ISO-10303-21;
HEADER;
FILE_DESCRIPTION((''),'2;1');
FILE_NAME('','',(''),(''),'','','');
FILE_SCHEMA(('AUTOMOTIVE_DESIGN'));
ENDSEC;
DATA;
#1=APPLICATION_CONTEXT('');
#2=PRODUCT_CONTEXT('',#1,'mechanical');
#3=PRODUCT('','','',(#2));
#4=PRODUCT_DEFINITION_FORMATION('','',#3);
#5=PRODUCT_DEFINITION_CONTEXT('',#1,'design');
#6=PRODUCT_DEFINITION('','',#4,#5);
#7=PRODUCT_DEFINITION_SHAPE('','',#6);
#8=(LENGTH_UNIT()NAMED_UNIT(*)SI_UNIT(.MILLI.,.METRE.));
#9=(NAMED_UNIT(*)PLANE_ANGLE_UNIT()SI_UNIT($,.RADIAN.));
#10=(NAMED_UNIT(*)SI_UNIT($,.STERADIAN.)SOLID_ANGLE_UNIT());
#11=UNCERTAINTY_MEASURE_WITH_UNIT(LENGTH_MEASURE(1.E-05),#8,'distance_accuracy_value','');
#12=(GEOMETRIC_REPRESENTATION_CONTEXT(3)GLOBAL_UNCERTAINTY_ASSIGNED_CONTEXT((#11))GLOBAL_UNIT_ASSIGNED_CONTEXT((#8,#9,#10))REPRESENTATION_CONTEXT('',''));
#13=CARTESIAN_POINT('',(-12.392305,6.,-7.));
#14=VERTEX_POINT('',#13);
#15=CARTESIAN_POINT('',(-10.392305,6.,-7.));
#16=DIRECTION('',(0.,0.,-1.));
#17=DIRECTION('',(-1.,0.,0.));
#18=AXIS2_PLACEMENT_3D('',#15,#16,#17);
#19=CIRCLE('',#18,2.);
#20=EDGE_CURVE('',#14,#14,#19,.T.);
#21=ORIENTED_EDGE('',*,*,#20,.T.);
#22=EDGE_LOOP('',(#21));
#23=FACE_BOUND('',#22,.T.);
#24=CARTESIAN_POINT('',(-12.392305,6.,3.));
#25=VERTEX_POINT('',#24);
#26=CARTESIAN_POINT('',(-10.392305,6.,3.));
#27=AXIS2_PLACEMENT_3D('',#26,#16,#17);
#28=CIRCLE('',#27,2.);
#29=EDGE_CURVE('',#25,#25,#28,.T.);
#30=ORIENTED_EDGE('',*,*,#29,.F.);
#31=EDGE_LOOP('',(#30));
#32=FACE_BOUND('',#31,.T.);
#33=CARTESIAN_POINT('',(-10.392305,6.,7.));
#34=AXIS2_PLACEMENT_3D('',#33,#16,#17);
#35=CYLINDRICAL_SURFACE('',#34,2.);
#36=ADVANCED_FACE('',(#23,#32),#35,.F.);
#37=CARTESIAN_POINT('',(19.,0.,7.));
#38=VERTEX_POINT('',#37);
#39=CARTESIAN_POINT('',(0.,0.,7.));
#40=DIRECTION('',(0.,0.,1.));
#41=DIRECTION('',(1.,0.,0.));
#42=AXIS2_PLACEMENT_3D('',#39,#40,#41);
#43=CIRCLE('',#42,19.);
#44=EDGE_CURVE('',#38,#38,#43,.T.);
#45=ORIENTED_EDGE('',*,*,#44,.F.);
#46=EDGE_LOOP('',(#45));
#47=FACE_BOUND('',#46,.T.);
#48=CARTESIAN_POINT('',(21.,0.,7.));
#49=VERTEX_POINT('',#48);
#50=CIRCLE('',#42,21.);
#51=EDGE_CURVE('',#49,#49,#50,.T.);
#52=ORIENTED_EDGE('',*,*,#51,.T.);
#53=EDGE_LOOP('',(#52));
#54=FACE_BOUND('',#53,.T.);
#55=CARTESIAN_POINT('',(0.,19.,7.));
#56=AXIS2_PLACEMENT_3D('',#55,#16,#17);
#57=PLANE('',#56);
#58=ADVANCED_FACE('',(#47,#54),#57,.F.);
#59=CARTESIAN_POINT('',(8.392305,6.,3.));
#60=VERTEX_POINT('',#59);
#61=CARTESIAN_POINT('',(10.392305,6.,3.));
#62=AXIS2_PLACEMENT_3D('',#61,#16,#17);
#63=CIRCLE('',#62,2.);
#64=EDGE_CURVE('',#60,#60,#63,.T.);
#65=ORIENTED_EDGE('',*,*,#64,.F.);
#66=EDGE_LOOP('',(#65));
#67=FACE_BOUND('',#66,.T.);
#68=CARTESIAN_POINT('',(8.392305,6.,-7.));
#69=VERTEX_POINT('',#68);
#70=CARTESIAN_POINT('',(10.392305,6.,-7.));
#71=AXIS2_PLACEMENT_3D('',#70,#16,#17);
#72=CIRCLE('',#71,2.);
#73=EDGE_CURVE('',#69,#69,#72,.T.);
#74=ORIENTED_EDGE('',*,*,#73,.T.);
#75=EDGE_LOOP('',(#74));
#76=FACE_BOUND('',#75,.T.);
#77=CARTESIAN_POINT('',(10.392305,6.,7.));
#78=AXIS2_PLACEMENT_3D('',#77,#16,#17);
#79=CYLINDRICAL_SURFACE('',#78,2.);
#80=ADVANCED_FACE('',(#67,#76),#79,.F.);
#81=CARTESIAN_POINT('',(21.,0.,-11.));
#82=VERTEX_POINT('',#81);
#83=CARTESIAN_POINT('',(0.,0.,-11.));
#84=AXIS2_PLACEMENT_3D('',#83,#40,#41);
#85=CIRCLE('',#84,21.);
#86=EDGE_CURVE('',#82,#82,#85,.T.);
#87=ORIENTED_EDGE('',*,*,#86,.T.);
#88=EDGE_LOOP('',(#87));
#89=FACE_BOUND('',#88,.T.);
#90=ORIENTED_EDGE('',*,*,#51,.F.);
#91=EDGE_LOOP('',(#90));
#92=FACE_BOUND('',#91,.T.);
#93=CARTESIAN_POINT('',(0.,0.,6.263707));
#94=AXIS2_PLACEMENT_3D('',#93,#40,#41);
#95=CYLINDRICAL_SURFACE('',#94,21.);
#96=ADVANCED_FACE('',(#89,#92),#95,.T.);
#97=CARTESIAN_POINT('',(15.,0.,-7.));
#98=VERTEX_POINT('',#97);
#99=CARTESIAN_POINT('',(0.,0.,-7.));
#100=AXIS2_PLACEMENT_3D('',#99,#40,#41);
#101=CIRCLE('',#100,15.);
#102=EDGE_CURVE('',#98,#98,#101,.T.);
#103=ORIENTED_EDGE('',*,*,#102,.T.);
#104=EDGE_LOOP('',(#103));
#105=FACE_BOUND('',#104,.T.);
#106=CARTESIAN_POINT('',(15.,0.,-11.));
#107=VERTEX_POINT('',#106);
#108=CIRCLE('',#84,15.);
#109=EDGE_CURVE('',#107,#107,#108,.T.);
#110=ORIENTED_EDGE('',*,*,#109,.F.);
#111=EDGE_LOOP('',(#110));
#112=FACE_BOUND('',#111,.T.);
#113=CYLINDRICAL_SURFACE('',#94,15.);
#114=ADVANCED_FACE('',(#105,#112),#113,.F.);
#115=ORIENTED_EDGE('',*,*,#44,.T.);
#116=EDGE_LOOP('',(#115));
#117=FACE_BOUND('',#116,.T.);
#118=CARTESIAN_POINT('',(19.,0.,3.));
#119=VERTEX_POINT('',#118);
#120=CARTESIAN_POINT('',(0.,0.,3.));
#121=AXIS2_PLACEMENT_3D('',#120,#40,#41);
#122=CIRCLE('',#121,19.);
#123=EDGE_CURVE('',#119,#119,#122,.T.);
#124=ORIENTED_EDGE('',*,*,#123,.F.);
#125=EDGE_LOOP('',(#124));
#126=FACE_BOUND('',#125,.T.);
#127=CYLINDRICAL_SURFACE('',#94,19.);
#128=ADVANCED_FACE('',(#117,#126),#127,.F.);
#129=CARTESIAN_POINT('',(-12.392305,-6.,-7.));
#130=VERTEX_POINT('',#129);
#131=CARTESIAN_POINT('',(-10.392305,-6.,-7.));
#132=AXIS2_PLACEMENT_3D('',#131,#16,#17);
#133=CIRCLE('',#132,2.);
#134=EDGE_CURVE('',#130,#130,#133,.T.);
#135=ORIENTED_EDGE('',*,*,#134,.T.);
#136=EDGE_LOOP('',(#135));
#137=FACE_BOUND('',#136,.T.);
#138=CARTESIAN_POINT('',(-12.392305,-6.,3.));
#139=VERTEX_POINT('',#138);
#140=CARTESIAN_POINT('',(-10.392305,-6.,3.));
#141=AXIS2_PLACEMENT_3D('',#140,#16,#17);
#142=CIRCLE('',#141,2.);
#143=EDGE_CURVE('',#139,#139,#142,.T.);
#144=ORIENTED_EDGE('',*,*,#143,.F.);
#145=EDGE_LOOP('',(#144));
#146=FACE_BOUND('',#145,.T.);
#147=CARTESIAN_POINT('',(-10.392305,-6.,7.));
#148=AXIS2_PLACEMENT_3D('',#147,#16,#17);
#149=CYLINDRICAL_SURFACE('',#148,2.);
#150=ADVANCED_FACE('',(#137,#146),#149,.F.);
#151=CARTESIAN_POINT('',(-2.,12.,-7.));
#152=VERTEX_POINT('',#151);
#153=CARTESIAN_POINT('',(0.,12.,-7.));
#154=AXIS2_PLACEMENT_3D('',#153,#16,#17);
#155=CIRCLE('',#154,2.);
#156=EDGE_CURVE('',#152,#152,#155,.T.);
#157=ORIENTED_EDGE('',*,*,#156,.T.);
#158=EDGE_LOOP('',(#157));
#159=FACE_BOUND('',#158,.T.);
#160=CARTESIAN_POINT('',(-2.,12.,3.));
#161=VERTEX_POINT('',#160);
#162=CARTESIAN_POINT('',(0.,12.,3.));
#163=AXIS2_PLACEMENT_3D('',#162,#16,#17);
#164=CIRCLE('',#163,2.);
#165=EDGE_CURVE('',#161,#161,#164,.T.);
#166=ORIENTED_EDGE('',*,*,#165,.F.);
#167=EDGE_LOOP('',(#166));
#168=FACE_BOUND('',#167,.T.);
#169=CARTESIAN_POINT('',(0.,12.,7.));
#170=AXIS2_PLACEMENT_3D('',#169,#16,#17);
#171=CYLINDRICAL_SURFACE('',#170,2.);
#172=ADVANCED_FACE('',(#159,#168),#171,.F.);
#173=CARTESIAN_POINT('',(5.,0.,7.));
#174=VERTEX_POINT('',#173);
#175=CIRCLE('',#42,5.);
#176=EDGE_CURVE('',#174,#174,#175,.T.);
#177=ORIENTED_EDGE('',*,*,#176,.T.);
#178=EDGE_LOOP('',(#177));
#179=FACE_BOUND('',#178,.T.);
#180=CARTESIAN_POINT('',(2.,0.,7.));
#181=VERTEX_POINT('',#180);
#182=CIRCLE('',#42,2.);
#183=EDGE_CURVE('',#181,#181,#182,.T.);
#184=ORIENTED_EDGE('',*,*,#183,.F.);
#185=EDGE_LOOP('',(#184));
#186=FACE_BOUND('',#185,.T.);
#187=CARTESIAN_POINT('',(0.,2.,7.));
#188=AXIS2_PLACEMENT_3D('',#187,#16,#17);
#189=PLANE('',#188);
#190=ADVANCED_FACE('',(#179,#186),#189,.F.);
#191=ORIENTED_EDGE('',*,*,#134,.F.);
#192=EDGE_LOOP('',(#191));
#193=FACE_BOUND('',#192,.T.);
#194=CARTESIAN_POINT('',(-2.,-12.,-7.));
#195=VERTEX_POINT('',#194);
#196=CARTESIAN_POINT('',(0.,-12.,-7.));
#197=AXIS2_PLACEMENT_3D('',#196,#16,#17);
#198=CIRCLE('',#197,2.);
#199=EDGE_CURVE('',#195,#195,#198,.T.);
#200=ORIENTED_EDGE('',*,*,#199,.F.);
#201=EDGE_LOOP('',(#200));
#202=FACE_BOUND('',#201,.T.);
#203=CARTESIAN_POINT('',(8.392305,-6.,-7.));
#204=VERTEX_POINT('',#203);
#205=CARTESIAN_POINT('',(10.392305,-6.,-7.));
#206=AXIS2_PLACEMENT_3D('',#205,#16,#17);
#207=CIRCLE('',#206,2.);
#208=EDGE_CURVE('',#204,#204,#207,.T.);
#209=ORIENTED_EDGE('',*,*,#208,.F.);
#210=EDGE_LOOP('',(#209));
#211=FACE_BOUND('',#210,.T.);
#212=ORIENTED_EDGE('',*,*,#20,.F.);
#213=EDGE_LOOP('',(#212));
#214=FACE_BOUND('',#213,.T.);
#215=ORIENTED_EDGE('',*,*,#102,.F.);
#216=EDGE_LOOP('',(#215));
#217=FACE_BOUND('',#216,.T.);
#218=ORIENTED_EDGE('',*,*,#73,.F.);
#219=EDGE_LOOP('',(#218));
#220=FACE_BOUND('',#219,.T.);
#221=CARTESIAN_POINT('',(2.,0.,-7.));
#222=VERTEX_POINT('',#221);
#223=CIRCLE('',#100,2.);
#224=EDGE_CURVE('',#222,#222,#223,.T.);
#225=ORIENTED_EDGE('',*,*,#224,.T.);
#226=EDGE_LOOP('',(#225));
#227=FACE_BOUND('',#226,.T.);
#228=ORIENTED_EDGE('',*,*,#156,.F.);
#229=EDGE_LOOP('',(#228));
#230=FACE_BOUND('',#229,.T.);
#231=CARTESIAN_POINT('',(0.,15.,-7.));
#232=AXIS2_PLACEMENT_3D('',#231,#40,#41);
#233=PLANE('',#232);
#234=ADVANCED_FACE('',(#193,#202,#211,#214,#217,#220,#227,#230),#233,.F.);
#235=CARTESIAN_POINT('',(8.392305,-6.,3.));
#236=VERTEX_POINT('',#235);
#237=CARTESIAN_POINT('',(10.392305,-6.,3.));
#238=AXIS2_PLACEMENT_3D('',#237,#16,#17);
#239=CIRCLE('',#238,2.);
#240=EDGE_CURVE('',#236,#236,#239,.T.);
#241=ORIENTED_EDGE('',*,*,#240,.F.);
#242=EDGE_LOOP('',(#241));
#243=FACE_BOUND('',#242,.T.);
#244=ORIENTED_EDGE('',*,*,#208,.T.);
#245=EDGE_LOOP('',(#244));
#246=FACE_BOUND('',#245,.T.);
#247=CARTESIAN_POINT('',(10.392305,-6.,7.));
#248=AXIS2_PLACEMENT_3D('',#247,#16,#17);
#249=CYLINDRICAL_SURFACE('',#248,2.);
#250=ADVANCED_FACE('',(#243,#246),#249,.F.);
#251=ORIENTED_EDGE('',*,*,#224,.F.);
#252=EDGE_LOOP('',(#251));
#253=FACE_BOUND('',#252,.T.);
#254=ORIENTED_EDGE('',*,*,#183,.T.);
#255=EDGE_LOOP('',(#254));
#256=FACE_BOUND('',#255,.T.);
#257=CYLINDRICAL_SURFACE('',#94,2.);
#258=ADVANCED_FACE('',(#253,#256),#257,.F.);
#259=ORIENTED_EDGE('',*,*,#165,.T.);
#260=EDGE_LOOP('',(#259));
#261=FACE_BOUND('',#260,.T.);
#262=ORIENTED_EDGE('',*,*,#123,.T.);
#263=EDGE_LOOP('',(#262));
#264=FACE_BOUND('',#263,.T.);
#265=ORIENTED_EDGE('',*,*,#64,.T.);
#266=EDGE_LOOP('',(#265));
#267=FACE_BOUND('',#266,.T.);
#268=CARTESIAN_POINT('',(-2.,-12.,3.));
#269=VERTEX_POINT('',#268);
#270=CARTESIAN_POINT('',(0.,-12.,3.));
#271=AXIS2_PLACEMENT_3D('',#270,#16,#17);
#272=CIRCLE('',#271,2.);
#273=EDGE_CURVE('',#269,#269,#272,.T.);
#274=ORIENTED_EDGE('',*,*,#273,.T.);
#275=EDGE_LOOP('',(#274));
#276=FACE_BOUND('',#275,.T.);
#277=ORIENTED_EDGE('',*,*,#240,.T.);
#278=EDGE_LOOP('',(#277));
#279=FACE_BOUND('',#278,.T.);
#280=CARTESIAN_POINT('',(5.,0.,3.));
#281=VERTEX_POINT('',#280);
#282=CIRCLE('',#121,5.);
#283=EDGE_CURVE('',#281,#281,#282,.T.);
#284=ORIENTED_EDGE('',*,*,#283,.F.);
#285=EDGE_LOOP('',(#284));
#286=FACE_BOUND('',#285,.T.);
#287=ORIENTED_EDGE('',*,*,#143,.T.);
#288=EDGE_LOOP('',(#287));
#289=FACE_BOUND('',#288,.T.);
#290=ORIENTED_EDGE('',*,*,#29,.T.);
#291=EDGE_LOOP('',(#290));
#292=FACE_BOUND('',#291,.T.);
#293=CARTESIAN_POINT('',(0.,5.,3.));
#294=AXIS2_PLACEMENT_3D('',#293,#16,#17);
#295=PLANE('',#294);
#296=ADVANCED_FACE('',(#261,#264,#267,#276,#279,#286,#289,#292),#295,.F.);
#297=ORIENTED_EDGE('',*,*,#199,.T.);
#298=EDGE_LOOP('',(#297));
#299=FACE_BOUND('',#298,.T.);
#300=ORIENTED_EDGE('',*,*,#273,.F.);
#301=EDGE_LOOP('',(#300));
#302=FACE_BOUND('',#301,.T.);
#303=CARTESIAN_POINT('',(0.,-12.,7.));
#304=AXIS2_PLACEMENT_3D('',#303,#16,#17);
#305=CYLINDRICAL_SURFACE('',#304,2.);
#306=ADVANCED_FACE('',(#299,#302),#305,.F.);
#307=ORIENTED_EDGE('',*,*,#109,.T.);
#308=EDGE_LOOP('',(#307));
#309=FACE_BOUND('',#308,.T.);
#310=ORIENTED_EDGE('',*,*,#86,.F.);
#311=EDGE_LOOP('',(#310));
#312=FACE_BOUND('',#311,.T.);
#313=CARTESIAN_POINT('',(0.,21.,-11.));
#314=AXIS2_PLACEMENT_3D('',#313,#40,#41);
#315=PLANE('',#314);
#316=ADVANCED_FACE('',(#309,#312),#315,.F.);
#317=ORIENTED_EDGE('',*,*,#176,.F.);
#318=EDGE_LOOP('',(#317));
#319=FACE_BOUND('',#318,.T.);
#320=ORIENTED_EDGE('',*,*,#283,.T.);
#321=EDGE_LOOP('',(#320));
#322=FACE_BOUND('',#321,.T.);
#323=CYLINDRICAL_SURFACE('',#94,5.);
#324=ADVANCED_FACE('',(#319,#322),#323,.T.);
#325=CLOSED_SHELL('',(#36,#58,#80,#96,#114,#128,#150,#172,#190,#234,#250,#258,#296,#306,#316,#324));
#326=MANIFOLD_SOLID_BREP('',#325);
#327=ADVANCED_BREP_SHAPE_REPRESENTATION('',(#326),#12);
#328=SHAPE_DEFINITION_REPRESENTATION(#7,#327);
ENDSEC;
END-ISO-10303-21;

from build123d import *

# Parameters (mm, degrees)
SKETCH2_R          = 2
CUT_EXTRUDE3_DEPTH = 33.832910319


with BuildPart() as part:
    # Sketch1 → Revolve1 (revolve)
    with BuildSketch(Plane(origin=(0, 0, 0), x_dir=(0, 0, -1), z_dir=(1, 0, 0)), mode=Mode.PRIVATE) as revolve1_sk:
        Polygon((-7, 2), (-7, 5), (-3, 5), (-3, 19), (-7, 19), (-7, 21), (11, 21), (11, 15), (7, 15), (7, 2), align=None)
    revolve(revolve1_sk.sketch.rotate(Axis((0, 0, 6.263706564), (0, 0, -1)), 90), axis=Axis((0, 0, 6.263706564), (0, 0, -1)))

    # Sketch2 → Cut-Extrude3 (cut, through all)
    with BuildSketch(Plane(origin=(0, 0, -7), x_dir=(-1, 0, 0), z_dir=(0, 0, -1))):
        with Locations((0, 12)):
            Circle(SKETCH2_R)
        with Locations((10.392304845, 6)):
            Circle(SKETCH2_R)
        with Locations((10.392304845, -6)):
            Circle(SKETCH2_R)
        with Locations((0, -12)):
            Circle(SKETCH2_R)
        with Locations((-10.392304845, -6)):
            Circle(SKETCH2_R)
        with Locations((-10.392304845, 6)):
            Circle(SKETCH2_R)
    extrude(amount=-CUT_EXTRUDE3_DEPTH, mode=Mode.SUBTRACT)


solid = part.part
